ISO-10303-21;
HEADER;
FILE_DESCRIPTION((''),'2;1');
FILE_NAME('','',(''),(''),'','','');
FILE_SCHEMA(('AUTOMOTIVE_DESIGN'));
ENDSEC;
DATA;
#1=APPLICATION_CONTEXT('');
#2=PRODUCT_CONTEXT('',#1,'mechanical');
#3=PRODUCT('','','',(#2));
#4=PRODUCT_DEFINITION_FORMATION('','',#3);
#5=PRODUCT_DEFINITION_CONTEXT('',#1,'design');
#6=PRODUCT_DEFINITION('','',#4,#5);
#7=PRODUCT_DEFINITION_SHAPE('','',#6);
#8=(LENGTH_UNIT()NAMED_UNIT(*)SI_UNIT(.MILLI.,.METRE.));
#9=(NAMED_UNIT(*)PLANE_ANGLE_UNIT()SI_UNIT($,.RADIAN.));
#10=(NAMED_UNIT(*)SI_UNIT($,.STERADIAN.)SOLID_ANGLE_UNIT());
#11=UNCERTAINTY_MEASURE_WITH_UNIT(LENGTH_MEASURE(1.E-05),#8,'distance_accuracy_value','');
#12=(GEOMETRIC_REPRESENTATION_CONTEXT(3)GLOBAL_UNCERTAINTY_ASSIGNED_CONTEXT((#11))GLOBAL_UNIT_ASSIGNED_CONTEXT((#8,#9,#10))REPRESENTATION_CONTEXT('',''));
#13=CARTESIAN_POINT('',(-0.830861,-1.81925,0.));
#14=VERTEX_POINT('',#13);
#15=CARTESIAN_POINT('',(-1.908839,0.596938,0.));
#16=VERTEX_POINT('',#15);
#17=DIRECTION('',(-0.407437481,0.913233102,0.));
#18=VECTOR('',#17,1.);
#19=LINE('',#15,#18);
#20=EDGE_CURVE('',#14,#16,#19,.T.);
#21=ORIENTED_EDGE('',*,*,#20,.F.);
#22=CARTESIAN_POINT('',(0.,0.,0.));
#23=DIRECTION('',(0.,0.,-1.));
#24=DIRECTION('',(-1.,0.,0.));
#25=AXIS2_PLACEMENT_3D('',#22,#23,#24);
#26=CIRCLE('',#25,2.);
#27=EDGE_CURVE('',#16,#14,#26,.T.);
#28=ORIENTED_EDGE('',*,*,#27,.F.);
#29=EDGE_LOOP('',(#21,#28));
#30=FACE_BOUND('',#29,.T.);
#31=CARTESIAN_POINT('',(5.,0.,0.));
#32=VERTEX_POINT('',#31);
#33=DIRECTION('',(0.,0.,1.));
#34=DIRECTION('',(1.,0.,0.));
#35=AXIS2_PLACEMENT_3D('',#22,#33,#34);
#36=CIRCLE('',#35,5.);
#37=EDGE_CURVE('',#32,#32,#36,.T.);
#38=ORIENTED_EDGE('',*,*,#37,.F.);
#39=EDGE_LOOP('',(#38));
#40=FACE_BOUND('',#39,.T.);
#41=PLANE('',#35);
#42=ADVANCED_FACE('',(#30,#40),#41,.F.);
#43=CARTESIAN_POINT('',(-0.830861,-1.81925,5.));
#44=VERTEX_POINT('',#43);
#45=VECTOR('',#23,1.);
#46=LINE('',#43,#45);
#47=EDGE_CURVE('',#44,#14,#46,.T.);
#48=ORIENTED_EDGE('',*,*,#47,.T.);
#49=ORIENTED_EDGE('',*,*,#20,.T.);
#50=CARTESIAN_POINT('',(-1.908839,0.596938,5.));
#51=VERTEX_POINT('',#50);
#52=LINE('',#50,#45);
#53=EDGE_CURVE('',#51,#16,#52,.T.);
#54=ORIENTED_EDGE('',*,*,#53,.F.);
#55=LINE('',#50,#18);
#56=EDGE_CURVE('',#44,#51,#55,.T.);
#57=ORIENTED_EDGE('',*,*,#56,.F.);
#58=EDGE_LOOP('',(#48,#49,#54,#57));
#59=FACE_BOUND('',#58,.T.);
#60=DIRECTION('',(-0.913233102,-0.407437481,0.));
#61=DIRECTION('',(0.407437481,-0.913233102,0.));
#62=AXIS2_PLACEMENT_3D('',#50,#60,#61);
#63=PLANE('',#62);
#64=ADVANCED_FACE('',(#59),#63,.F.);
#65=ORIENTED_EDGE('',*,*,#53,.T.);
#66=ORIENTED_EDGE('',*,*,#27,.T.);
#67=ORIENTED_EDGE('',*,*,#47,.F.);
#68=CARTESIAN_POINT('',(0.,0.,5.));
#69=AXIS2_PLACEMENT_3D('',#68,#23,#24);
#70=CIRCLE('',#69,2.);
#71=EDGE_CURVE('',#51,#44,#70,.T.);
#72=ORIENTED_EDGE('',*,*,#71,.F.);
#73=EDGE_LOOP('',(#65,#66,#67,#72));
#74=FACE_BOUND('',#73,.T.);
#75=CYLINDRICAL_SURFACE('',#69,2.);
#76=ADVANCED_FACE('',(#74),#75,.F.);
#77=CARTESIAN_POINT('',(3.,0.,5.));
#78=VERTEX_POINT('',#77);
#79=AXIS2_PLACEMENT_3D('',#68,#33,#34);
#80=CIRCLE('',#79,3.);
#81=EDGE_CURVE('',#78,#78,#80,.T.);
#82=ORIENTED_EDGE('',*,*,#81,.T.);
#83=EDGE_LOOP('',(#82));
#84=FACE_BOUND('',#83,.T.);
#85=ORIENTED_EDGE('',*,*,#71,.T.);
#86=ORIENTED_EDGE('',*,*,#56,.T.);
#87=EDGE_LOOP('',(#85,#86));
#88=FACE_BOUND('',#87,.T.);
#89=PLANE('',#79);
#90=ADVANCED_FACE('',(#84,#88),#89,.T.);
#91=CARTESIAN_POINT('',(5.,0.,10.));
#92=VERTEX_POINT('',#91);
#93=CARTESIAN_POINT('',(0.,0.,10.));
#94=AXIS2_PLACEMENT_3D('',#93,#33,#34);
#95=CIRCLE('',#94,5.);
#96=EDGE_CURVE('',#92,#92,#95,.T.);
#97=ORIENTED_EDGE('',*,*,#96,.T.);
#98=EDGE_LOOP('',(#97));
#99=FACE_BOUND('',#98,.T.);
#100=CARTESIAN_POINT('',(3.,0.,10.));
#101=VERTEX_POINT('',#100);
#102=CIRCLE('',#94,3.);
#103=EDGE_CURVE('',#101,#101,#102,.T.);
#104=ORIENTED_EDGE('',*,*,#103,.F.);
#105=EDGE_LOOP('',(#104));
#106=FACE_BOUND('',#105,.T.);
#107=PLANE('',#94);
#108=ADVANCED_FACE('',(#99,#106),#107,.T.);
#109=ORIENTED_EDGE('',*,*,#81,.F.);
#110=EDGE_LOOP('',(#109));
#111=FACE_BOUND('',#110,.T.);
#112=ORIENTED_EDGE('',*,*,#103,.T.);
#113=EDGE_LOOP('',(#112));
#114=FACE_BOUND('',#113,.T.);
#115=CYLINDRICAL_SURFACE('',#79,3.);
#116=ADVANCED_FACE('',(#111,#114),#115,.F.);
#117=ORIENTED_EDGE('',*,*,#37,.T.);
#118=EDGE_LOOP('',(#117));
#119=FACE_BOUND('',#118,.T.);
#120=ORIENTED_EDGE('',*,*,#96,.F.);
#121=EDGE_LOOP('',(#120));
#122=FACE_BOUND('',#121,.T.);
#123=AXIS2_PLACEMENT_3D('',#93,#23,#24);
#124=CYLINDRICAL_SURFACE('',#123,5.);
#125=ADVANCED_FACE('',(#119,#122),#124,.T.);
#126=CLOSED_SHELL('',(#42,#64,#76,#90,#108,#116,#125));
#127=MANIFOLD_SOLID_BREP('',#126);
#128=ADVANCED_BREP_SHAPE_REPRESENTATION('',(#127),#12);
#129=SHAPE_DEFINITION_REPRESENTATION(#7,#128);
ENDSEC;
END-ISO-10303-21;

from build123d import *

# Parameters (mm, degrees)
SKETCH2_R           = 5
BOSS_EXTRUDE1_DEPTH = 10
CUT_EXTRUDE1_DEPTH  = 5
SKETCH4_R           = 3
CUT_EXTRUDE2_DEPTH  = 5


with BuildPart() as part:
    # Sketch2 → Boss-Extrude1 (new body)
    with BuildSketch(Plane.XY):
        Circle(SKETCH2_R)
    extrude(amount=BOSS_EXTRUDE1_DEPTH)

    # Sketch3 → Cut-Extrude1 (cut)
    with BuildSketch(Plane(origin=(0, 0, 0), x_dir=(-1, 0, 0), z_dir=(0, 0, -1))):
        with BuildLine():
            Line((1.908838778, 0.596937618), (0.830860529, -1.81925006))
            ThreePointArc((0.830860529, -1.81925006), (-1.826466205, 0.814874961), (1.908838778, 0.596937618))
        make_face()
    extrude(amount=-CUT_EXTRUDE1_DEPTH, mode=Mode.SUBTRACT)

    # Sketch4 → Cut-Extrude2 (cut)
    with BuildSketch(Plane.XY.offset(10)):
        Circle(SKETCH4_R)
    extrude(amount=-CUT_EXTRUDE2_DEPTH, mode=Mode.SUBTRACT)


solid = part.part
